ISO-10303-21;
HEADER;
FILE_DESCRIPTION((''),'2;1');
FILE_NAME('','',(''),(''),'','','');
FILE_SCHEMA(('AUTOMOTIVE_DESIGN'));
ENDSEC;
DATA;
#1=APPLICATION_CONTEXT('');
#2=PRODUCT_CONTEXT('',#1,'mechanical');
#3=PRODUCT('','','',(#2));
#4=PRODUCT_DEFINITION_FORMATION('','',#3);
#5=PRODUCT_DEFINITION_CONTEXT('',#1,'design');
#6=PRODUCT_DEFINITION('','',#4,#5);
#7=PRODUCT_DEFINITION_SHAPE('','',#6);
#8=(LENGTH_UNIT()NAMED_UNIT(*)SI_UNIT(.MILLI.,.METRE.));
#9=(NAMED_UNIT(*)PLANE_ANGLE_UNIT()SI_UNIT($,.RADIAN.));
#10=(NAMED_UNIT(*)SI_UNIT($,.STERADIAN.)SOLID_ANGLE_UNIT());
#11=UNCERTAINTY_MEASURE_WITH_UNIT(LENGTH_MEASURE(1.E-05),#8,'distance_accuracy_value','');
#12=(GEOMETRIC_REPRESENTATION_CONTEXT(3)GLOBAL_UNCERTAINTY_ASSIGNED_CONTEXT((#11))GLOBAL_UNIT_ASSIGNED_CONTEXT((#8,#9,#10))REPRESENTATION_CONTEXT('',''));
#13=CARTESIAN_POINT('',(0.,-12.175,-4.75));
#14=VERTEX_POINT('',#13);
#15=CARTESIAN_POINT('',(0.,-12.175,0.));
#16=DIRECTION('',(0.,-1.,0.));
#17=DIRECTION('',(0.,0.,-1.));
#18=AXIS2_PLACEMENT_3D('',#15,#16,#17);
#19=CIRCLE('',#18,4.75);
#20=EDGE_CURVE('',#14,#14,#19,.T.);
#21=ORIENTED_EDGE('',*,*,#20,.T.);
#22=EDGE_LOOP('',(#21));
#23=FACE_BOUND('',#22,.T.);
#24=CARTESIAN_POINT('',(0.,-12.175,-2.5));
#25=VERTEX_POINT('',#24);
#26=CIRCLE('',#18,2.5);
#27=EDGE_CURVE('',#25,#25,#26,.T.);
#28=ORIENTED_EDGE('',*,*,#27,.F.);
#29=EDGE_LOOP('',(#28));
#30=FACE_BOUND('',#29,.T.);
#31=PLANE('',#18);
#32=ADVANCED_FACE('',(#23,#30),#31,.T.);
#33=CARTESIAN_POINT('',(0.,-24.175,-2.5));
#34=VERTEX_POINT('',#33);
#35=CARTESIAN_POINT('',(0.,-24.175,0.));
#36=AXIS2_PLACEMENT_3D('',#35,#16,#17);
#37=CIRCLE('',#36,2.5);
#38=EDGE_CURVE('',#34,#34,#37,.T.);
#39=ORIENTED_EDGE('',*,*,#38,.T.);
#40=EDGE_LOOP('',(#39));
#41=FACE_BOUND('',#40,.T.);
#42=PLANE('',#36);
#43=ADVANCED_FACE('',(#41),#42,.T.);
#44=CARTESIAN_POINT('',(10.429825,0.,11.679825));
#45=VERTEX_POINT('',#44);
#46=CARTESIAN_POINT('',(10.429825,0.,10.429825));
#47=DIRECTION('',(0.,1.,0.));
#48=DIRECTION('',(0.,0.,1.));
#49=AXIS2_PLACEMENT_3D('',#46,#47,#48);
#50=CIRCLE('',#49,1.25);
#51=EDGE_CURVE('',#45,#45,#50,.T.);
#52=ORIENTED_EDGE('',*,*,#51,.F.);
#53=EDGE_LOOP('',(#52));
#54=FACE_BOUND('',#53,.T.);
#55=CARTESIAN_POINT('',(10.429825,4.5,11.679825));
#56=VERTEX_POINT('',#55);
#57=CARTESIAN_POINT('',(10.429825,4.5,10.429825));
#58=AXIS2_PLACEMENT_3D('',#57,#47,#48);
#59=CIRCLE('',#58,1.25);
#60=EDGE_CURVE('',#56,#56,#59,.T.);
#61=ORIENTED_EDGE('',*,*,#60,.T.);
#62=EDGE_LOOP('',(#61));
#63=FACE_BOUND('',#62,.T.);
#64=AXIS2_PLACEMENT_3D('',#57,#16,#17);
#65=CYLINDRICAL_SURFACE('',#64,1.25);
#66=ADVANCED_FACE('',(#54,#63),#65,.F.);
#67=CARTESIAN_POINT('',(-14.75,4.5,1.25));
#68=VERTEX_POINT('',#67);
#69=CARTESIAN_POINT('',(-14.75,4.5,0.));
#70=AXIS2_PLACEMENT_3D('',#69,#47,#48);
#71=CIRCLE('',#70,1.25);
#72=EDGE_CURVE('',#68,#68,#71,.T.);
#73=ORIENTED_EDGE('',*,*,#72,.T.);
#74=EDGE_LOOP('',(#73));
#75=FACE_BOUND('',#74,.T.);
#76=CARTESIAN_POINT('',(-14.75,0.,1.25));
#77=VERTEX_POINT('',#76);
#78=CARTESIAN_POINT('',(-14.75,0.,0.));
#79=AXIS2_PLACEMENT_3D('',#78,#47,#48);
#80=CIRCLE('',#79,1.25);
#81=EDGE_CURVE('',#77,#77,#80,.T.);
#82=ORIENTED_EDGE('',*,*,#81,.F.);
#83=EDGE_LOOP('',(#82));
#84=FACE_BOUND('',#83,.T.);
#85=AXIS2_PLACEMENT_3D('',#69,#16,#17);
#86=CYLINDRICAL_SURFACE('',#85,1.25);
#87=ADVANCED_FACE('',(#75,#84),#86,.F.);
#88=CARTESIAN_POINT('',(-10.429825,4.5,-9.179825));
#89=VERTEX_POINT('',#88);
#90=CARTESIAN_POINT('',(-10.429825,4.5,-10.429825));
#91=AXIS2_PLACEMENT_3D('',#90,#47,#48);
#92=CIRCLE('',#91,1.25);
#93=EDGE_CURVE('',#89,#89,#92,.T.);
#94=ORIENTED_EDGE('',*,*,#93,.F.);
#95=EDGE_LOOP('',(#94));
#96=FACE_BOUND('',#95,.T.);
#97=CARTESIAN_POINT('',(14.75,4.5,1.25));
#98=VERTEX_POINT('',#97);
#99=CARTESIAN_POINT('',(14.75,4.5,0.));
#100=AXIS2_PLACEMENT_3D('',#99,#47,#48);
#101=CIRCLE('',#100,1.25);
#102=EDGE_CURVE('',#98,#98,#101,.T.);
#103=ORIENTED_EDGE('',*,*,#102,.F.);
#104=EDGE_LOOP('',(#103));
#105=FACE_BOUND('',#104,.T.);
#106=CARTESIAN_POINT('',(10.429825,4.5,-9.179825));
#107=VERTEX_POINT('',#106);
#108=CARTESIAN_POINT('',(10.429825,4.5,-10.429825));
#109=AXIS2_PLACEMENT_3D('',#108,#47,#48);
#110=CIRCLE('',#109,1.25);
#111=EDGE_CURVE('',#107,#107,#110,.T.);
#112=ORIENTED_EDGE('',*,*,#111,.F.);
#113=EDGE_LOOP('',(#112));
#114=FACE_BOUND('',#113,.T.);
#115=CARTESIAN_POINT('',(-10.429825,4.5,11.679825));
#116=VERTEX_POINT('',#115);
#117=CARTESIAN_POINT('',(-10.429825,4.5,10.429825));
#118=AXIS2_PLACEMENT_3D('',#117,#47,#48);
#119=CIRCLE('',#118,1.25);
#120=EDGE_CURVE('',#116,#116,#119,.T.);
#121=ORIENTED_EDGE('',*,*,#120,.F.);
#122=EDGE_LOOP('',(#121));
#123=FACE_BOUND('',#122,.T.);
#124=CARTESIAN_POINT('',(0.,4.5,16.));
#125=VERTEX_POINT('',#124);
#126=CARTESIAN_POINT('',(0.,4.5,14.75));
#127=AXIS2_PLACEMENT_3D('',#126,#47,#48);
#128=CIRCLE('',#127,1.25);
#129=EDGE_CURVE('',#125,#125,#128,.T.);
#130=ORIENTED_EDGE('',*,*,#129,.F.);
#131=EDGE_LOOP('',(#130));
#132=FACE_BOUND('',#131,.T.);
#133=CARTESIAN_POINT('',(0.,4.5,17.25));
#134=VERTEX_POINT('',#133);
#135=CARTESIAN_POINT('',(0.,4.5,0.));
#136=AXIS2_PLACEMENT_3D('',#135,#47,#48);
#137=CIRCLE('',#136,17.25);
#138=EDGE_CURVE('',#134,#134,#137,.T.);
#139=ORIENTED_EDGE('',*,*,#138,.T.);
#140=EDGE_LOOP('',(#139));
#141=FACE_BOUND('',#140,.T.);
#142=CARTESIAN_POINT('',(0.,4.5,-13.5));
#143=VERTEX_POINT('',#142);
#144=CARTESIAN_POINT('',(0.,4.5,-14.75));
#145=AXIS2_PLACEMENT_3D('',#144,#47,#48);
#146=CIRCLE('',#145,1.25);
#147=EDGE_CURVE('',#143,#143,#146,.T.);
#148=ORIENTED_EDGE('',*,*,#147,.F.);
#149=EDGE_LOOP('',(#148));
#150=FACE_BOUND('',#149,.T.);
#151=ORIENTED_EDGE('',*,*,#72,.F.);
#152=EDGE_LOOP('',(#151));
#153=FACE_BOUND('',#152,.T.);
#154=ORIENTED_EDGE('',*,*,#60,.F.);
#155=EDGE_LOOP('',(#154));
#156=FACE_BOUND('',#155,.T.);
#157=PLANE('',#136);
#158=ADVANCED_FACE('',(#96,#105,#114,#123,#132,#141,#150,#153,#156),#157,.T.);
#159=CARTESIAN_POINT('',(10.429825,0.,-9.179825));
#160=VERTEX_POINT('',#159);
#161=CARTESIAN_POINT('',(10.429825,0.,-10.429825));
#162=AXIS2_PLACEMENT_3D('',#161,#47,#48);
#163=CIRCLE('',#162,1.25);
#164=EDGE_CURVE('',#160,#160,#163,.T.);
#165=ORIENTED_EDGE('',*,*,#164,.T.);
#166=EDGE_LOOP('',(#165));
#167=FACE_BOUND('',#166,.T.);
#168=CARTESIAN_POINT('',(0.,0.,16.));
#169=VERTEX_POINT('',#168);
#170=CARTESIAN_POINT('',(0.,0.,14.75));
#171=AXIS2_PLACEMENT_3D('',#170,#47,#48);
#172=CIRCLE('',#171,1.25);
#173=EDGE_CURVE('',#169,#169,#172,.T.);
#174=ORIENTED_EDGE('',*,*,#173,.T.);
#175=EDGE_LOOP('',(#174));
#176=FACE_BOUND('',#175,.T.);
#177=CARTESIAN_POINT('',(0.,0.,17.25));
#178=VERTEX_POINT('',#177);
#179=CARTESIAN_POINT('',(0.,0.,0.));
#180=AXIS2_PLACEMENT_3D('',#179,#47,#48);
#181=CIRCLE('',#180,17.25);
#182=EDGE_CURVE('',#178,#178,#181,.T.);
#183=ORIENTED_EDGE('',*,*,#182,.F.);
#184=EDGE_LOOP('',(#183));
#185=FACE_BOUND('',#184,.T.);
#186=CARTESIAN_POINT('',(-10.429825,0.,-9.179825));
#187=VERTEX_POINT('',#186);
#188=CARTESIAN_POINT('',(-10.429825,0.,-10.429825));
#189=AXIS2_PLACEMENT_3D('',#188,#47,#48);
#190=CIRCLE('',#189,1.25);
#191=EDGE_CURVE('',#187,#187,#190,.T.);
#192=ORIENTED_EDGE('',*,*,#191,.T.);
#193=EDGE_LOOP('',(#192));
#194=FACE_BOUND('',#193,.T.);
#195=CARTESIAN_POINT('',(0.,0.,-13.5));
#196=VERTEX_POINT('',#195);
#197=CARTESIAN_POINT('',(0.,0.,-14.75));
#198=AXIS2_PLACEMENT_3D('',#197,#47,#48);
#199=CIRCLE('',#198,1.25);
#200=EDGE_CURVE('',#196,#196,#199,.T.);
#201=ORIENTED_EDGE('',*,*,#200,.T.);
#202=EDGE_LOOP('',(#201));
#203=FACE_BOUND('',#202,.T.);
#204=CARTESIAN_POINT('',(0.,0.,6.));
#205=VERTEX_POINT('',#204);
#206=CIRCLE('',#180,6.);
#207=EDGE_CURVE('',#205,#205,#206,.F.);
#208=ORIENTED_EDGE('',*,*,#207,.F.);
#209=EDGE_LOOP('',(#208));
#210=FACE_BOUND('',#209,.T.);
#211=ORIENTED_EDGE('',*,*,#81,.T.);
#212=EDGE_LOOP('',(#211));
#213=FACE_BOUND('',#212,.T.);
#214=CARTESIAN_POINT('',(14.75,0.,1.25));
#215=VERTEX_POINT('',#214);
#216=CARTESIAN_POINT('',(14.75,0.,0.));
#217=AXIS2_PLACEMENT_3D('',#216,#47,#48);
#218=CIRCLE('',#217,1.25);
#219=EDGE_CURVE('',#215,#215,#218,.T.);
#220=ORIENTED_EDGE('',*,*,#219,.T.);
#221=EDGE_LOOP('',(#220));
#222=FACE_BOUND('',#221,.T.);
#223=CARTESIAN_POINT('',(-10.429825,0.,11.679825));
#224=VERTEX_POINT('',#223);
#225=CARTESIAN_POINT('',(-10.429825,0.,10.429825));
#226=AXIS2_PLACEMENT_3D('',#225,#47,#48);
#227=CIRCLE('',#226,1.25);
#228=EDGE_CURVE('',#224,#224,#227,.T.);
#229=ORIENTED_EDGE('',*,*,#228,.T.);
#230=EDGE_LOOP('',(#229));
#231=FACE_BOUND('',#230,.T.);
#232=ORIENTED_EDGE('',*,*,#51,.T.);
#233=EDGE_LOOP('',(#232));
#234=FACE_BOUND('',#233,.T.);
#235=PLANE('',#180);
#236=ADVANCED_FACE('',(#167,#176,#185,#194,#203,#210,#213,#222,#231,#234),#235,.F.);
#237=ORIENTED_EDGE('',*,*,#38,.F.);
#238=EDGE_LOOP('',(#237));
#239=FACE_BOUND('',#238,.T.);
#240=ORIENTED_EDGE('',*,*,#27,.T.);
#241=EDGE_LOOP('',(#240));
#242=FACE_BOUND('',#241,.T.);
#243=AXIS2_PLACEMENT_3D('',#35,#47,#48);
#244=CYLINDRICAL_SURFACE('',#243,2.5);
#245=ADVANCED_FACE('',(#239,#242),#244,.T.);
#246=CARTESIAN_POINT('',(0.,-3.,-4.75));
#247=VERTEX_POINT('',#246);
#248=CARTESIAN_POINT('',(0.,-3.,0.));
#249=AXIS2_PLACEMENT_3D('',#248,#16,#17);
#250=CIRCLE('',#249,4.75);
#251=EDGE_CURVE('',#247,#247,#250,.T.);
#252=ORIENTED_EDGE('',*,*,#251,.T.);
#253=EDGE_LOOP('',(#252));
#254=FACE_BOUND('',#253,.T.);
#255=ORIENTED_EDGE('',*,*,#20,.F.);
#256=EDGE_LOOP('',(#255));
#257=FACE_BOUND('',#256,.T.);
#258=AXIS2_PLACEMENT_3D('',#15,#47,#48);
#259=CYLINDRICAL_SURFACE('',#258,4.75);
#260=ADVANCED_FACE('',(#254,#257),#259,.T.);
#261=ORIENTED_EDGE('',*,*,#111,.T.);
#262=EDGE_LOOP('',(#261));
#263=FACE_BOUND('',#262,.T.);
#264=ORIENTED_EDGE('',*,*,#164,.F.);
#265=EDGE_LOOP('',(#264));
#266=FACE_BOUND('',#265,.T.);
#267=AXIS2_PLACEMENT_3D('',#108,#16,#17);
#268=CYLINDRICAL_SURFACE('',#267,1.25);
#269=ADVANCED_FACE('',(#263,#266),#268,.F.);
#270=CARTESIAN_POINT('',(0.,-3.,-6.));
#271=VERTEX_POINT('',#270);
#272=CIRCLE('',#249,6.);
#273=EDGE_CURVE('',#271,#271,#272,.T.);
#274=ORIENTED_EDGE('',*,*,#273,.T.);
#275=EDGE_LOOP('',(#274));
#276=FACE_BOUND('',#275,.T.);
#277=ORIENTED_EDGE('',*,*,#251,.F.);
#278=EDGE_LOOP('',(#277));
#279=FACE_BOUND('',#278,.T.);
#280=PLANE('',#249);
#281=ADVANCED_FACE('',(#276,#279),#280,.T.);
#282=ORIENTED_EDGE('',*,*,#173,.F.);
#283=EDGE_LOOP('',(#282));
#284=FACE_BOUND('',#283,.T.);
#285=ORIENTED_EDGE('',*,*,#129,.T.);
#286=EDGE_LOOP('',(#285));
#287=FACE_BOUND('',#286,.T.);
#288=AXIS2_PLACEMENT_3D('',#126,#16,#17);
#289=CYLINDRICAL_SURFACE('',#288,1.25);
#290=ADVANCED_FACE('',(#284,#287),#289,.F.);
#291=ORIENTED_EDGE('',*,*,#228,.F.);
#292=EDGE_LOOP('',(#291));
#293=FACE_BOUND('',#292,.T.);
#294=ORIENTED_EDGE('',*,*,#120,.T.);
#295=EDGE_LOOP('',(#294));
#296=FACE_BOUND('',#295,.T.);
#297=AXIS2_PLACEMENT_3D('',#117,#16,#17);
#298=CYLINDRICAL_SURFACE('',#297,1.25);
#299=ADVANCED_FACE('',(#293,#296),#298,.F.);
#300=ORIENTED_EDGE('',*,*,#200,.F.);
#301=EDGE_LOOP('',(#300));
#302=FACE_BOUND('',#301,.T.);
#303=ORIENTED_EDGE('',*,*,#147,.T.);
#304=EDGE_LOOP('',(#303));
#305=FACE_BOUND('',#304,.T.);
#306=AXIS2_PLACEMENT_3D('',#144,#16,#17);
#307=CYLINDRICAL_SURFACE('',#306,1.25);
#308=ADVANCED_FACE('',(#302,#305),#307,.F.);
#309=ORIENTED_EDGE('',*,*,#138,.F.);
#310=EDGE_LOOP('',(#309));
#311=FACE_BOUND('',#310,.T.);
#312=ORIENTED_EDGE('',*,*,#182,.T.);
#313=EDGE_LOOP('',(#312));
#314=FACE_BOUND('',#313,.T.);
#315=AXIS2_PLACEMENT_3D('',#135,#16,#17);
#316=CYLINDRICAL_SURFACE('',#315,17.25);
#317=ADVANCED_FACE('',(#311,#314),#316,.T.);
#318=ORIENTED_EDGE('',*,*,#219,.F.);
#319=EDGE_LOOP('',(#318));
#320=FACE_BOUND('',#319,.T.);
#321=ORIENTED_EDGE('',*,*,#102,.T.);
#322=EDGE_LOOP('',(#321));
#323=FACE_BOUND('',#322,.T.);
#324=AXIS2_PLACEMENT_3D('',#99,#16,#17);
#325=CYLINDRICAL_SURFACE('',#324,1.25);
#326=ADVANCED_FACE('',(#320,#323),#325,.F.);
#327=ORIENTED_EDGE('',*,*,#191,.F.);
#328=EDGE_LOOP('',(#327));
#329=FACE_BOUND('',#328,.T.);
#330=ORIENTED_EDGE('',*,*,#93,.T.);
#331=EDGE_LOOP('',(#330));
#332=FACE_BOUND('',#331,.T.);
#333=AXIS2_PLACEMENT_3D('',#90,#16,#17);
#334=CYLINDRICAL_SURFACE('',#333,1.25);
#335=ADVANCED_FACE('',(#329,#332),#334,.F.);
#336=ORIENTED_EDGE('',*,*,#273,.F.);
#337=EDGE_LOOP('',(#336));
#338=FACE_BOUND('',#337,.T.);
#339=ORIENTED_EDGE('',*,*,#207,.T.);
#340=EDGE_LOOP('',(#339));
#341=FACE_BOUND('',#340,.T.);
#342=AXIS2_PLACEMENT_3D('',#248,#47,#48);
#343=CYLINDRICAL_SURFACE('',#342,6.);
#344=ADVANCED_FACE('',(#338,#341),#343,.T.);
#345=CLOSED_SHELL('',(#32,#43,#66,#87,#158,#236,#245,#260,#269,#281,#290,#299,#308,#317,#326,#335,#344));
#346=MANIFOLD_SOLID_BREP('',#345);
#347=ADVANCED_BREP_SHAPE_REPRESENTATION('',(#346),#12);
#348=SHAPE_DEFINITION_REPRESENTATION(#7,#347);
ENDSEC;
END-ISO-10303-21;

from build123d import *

# Parameters (mm, degrees)
CROQUIS1_R              = 17.25
CROQUIS1_R_2            = 1.25
SALIENTE_EXTRUIR1_DEPTH = 4.5
CROQUIS3_R              = 4.75
SALIENTE_EXTRUIR3_DEPTH = 12.175
CROQUIS4_R              = 6
SALIENTE_EXTRUIR4_DEPTH = 3
CROQUIS5_R              = 2.5
SALIENTE_EXTRUIR5_DEPTH = 12


with BuildPart() as part:
    # Croquis1 → Saliente-Extruir1 (new body)
    with BuildSketch(Plane(origin=(0, 0, 0), x_dir=(1, 0, 0), z_dir=(0, 1, 0))):
        Circle(CROQUIS1_R)
        with Locations((14.75, 0)):
            Circle(CROQUIS1_R_2, mode=Mode.SUBTRACT)
        with Locations((10.429825023, -10.429825023)):
            Circle(CROQUIS1_R_2, mode=Mode.SUBTRACT)
        with Locations((0, -14.75)):
            Circle(CROQUIS1_R_2, mode=Mode.SUBTRACT)
        with Locations((-10.429825023, -10.429825023)):
            Circle(CROQUIS1_R_2, mode=Mode.SUBTRACT)
        with Locations((-14.75, 0)):
            Circle(CROQUIS1_R_2, mode=Mode.SUBTRACT)
        with Locations((-10.429825023, 10.429825023)):
            Circle(CROQUIS1_R_2, mode=Mode.SUBTRACT)
        with Locations((0, 14.75)):
            Circle(CROQUIS1_R_2, mode=Mode.SUBTRACT)
        with Locations((10.429825023, 10.429825023)):
            Circle(CROQUIS1_R_2, mode=Mode.SUBTRACT)
    extrude(amount=SALIENTE_EXTRUIR1_DEPTH)

    # Croquis3 → Saliente-Extruir3 (add)
    with BuildSketch(Plane.XZ):
        Circle(CROQUIS3_R)
    extrude(amount=SALIENTE_EXTRUIR3_DEPTH)

    # Croquis4 → Saliente-Extruir4 (add)
    with BuildSketch(Plane.XZ):
        Circle(CROQUIS4_R)
    extrude(amount=SALIENTE_EXTRUIR4_DEPTH)

    # Croquis5 → Saliente-Extruir5 (add)
    with BuildSketch(Plane.XZ.offset(12.175)):
        Circle(CROQUIS5_R)
    extrude(amount=SALIENTE_EXTRUIR5_DEPTH)


solid = part.part
